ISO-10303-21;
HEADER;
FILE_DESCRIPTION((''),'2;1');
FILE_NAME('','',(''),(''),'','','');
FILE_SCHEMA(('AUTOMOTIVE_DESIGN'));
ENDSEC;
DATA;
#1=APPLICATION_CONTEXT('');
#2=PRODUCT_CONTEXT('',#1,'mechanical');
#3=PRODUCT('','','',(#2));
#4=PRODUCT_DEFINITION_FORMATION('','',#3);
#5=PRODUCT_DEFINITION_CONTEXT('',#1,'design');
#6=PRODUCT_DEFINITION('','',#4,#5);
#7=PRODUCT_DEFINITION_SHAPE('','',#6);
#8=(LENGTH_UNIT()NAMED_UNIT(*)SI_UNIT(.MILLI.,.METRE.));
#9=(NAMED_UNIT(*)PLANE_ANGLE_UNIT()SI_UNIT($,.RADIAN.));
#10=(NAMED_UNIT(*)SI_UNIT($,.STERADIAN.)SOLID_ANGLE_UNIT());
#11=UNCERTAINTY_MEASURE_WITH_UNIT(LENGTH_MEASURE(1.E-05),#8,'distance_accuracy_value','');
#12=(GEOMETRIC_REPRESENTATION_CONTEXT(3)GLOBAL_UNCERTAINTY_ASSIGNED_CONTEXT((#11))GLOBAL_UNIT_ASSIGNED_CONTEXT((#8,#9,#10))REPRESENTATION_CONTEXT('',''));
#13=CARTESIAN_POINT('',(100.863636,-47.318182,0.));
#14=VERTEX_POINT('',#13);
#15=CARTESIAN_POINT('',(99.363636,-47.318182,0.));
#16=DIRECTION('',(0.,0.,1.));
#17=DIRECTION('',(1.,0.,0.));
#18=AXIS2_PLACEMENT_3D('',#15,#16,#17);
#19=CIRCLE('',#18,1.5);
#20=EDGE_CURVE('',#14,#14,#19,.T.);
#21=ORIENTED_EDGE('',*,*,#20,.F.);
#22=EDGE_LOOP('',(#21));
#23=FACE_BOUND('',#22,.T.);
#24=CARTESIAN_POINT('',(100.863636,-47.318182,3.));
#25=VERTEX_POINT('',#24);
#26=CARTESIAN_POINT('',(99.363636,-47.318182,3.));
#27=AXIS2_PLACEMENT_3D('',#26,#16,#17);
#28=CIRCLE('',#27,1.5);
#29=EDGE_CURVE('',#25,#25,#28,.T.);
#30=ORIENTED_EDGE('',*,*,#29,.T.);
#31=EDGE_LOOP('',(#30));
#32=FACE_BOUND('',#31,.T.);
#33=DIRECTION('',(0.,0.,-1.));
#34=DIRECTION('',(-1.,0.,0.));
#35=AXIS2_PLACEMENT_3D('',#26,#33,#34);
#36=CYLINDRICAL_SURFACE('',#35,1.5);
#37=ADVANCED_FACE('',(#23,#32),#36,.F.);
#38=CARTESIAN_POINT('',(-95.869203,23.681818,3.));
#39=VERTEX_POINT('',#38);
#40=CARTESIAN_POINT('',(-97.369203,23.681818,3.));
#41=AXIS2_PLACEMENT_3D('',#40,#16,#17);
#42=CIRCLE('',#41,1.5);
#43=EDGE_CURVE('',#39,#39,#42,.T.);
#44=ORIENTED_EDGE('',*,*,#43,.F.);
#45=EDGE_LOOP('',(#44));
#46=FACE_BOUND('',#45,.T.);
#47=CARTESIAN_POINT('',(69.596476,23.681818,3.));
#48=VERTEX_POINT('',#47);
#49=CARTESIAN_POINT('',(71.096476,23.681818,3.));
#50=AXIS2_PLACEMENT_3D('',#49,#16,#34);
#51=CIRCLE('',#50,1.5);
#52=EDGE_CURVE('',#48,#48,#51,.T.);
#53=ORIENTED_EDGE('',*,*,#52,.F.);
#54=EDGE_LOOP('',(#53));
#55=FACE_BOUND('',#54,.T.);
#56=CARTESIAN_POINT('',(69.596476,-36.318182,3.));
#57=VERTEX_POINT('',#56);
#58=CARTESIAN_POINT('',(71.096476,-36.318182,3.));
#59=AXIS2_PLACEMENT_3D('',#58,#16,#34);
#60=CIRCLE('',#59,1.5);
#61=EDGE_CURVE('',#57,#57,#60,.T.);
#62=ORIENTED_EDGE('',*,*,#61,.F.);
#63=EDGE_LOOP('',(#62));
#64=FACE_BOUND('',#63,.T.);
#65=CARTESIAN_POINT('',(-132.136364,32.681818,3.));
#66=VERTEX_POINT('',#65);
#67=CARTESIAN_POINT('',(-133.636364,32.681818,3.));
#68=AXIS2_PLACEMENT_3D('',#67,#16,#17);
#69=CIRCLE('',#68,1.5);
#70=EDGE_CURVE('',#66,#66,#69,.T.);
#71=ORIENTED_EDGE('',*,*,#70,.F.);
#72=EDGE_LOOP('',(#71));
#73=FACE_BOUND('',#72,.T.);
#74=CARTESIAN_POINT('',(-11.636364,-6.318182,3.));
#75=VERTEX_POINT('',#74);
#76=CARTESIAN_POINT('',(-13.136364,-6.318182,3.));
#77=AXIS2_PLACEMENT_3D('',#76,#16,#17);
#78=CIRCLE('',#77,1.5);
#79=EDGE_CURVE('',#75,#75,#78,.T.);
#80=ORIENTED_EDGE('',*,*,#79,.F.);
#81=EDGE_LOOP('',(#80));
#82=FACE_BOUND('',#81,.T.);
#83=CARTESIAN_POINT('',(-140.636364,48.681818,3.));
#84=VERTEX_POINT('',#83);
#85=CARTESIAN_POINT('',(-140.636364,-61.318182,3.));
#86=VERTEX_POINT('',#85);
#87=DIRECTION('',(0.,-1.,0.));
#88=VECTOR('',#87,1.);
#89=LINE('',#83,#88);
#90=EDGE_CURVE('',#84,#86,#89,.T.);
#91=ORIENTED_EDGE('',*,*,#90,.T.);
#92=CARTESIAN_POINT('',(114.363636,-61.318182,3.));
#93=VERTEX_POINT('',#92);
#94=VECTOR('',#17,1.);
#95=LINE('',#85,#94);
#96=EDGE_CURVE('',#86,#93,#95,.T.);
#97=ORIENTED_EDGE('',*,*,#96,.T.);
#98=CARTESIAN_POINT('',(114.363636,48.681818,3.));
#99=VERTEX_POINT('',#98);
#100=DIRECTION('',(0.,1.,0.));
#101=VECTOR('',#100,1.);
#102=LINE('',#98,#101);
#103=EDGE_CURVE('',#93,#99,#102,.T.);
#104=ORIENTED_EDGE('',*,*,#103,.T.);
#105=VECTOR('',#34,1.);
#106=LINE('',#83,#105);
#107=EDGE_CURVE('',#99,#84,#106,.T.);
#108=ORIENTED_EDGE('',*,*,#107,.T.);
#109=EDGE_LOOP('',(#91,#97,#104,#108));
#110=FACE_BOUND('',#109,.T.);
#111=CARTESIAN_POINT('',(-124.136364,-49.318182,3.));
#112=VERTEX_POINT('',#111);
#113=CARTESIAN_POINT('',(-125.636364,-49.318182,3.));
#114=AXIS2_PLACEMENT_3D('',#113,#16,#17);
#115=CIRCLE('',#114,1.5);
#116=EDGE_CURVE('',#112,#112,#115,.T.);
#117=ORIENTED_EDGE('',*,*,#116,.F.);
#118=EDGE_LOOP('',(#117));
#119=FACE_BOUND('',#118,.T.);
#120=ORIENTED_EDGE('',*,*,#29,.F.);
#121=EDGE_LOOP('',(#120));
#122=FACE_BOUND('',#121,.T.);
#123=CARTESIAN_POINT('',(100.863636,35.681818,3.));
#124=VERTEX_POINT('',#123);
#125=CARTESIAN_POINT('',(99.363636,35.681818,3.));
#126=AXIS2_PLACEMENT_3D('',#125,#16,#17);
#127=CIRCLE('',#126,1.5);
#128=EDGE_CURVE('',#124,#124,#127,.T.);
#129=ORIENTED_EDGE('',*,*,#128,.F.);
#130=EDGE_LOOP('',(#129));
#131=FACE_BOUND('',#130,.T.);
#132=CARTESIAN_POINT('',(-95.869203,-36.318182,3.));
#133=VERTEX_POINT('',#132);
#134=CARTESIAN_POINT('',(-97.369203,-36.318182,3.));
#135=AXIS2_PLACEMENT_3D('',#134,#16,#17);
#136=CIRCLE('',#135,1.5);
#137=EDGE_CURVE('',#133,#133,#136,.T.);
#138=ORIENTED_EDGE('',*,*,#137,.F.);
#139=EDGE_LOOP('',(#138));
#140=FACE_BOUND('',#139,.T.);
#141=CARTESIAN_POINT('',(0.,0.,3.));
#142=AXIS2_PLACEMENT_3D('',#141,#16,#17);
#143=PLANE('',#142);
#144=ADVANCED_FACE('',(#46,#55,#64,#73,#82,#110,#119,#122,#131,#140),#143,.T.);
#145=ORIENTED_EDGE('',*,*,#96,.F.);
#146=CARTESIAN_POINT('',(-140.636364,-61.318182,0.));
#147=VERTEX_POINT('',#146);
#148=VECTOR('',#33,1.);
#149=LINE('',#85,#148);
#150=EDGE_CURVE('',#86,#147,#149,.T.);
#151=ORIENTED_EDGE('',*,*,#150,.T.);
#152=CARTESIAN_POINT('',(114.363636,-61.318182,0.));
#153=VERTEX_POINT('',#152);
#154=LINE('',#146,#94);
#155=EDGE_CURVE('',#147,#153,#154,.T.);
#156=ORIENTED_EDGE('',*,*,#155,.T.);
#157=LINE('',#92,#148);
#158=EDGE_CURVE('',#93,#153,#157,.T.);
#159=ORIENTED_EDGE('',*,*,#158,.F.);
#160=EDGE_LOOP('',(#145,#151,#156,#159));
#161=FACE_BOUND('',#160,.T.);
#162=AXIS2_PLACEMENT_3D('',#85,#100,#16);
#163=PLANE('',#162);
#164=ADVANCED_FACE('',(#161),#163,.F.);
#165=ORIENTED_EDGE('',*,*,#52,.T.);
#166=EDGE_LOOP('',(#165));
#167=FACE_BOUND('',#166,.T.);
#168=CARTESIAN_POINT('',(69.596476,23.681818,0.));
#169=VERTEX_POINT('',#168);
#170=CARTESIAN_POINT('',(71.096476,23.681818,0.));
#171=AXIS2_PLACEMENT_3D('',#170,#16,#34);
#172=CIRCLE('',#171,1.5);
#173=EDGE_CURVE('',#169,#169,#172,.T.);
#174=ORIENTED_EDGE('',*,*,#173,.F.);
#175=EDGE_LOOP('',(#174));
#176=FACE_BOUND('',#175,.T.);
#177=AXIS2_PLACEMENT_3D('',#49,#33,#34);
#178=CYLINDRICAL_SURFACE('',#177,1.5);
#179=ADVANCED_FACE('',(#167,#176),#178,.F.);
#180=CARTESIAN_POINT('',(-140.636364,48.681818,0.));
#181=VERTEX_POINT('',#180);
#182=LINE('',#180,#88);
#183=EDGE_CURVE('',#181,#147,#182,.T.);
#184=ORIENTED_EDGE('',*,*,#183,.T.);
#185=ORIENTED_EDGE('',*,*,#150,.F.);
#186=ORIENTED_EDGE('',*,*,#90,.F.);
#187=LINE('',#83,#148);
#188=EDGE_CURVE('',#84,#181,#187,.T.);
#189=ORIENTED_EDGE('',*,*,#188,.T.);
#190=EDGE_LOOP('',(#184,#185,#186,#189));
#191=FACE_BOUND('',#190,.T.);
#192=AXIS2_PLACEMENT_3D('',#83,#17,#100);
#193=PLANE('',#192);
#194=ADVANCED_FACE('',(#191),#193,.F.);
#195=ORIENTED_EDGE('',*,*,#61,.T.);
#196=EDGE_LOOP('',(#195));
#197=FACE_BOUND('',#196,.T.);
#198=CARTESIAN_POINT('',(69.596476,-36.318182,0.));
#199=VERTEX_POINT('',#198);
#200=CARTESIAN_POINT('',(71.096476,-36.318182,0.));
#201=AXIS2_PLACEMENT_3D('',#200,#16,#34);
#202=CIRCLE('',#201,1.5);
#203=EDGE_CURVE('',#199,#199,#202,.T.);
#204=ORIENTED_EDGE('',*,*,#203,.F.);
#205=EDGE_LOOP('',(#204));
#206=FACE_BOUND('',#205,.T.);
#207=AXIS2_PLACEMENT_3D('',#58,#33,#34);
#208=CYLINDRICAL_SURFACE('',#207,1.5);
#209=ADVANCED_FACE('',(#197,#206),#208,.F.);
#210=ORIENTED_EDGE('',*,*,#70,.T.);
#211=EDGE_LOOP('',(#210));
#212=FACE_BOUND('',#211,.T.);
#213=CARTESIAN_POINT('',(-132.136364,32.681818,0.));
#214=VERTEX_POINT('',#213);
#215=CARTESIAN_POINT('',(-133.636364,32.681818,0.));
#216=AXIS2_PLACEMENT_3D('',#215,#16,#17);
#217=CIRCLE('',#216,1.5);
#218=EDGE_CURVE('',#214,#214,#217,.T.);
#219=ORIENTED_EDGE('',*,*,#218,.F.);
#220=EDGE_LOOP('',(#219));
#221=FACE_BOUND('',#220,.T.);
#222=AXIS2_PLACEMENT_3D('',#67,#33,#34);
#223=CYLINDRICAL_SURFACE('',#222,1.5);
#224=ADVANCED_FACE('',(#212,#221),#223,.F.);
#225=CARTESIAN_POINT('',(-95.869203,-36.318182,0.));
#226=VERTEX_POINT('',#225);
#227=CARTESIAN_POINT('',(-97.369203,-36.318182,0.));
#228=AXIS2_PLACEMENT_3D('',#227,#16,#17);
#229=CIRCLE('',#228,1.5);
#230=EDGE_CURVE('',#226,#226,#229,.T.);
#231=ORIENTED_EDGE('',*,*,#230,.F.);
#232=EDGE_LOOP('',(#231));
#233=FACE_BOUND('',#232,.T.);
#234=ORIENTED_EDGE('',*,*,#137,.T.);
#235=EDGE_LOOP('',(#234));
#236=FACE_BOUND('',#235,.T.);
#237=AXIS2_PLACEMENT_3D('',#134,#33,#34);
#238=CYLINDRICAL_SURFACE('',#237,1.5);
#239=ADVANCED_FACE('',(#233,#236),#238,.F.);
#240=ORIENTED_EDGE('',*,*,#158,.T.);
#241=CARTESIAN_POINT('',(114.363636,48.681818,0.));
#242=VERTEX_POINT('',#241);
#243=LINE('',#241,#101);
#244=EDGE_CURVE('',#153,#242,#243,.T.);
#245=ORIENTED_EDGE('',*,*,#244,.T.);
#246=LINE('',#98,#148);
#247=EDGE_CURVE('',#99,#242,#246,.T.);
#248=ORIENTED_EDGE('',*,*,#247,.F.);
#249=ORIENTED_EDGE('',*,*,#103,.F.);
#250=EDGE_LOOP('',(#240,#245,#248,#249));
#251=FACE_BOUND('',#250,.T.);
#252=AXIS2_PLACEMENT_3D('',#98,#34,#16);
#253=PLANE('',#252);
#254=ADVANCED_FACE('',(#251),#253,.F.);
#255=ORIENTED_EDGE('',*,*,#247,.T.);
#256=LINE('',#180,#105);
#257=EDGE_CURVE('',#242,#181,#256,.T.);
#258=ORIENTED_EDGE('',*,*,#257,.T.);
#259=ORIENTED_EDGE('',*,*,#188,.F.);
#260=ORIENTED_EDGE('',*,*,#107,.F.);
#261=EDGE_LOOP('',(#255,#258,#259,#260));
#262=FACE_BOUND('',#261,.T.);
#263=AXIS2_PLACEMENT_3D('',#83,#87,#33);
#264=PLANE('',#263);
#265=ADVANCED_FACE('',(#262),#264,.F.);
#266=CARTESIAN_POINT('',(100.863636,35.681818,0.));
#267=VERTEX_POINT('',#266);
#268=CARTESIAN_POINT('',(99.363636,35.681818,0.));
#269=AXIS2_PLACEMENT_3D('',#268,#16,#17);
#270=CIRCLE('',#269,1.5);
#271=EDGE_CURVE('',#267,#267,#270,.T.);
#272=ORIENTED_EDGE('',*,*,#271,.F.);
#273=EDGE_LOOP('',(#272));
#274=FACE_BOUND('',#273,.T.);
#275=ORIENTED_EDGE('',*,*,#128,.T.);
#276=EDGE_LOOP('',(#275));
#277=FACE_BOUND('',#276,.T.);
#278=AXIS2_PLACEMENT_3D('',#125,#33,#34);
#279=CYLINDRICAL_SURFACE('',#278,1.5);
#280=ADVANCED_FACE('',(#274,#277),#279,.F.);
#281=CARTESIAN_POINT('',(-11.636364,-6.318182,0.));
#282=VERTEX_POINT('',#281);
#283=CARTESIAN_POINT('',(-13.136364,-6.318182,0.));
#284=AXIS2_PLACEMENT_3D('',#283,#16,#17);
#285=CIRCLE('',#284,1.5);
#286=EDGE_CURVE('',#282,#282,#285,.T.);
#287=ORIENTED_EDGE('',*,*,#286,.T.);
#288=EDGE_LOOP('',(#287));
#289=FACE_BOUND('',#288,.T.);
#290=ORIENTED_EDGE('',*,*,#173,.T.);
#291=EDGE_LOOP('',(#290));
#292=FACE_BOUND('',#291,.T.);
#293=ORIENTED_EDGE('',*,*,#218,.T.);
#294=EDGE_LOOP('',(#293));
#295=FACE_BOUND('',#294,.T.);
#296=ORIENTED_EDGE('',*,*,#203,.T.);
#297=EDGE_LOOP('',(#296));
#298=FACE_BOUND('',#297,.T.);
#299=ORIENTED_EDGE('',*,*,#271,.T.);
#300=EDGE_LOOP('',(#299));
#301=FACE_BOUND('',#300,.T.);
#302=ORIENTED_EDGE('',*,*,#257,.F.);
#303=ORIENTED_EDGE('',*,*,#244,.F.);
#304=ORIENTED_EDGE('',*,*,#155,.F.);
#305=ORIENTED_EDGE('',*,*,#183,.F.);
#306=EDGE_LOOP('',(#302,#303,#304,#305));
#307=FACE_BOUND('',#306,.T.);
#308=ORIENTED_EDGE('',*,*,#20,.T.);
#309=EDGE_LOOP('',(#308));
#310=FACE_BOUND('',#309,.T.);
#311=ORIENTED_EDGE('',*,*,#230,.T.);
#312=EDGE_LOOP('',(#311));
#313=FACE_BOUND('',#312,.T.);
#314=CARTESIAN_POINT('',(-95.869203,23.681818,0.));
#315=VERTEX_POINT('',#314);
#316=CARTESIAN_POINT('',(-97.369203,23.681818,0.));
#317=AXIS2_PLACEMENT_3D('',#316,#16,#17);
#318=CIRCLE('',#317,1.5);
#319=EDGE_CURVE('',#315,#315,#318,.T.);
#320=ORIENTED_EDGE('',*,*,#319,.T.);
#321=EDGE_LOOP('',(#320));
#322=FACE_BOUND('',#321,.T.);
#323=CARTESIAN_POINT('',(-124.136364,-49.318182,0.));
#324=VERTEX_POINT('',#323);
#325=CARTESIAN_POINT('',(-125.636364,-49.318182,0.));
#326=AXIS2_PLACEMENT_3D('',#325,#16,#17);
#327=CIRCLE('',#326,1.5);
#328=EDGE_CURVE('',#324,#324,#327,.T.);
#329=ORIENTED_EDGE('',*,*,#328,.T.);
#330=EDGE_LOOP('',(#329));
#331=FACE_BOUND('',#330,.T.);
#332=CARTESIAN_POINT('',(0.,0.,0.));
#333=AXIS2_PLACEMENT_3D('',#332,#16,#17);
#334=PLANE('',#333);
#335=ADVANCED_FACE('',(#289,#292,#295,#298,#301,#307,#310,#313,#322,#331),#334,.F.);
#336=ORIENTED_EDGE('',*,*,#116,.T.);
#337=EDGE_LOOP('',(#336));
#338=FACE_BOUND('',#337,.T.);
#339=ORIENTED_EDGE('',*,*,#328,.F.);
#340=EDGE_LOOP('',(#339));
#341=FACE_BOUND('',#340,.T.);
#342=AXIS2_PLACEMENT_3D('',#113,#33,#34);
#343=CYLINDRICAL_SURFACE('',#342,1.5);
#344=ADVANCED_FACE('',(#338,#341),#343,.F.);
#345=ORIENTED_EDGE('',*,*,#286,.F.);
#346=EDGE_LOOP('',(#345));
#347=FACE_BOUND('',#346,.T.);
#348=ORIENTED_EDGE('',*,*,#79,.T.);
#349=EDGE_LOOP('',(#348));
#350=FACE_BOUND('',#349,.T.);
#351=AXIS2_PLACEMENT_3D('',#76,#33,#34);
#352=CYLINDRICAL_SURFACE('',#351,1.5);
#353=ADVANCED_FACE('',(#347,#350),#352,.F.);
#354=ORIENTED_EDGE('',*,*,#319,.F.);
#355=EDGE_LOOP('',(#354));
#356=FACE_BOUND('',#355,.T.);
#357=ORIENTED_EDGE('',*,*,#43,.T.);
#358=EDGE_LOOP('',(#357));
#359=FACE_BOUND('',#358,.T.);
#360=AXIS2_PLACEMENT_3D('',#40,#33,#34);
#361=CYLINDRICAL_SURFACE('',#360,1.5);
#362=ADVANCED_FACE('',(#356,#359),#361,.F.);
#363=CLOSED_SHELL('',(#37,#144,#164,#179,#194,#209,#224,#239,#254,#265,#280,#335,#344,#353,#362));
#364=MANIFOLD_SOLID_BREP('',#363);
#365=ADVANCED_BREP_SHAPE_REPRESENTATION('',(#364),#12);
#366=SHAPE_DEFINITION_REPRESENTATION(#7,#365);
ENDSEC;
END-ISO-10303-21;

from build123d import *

# Parameters (mm, degrees)
SKETCH1_W           = 255
SKETCH1_H           = 110
SKETCH1_R           = 1.5
BOSS_EXTRUDE1_DEPTH = 3


with BuildPart() as part:
    # Sketch1 → Boss-Extrude1 (new body)
    with BuildSketch(Plane.XY):
        with Locations((-13.136363636, -6.318181818)):
            Rectangle(SKETCH1_W, SKETCH1_H)
        with Locations((-125.636363636, -49.318181818)):
            Circle(SKETCH1_R, mode=Mode.SUBTRACT)
        with Locations((-133.636363636, 32.681818182)):
            Circle(SKETCH1_R, mode=Mode.SUBTRACT)
        with Locations((99.363636364, -47.318181818)):
            Circle(SKETCH1_R, mode=Mode.SUBTRACT)
        with Locations((99.363636364, 35.681818182)):
            Circle(SKETCH1_R, mode=Mode.SUBTRACT)
        with Locations((-97.369202936, 23.681818182)):
            Circle(SKETCH1_R, mode=Mode.SUBTRACT)
        with Locations((-97.369202936, -36.318181818)):
            Circle(SKETCH1_R, mode=Mode.SUBTRACT)
        with Locations(Location((71.096475664, -36.318181818, 0), (0, 0, 180))):
            Circle(SKETCH1_R, mode=Mode.SUBTRACT)
        with Locations(Location((71.096475664, 23.681818182, 0), (0, 0, 180))):
            Circle(SKETCH1_R, mode=Mode.SUBTRACT)
        with Locations((-13.136363636, -6.318181818)):
            Circle(SKETCH1_R, mode=Mode.SUBTRACT)
    extrude(amount=BOSS_EXTRUDE1_DEPTH)


solid = part.part
